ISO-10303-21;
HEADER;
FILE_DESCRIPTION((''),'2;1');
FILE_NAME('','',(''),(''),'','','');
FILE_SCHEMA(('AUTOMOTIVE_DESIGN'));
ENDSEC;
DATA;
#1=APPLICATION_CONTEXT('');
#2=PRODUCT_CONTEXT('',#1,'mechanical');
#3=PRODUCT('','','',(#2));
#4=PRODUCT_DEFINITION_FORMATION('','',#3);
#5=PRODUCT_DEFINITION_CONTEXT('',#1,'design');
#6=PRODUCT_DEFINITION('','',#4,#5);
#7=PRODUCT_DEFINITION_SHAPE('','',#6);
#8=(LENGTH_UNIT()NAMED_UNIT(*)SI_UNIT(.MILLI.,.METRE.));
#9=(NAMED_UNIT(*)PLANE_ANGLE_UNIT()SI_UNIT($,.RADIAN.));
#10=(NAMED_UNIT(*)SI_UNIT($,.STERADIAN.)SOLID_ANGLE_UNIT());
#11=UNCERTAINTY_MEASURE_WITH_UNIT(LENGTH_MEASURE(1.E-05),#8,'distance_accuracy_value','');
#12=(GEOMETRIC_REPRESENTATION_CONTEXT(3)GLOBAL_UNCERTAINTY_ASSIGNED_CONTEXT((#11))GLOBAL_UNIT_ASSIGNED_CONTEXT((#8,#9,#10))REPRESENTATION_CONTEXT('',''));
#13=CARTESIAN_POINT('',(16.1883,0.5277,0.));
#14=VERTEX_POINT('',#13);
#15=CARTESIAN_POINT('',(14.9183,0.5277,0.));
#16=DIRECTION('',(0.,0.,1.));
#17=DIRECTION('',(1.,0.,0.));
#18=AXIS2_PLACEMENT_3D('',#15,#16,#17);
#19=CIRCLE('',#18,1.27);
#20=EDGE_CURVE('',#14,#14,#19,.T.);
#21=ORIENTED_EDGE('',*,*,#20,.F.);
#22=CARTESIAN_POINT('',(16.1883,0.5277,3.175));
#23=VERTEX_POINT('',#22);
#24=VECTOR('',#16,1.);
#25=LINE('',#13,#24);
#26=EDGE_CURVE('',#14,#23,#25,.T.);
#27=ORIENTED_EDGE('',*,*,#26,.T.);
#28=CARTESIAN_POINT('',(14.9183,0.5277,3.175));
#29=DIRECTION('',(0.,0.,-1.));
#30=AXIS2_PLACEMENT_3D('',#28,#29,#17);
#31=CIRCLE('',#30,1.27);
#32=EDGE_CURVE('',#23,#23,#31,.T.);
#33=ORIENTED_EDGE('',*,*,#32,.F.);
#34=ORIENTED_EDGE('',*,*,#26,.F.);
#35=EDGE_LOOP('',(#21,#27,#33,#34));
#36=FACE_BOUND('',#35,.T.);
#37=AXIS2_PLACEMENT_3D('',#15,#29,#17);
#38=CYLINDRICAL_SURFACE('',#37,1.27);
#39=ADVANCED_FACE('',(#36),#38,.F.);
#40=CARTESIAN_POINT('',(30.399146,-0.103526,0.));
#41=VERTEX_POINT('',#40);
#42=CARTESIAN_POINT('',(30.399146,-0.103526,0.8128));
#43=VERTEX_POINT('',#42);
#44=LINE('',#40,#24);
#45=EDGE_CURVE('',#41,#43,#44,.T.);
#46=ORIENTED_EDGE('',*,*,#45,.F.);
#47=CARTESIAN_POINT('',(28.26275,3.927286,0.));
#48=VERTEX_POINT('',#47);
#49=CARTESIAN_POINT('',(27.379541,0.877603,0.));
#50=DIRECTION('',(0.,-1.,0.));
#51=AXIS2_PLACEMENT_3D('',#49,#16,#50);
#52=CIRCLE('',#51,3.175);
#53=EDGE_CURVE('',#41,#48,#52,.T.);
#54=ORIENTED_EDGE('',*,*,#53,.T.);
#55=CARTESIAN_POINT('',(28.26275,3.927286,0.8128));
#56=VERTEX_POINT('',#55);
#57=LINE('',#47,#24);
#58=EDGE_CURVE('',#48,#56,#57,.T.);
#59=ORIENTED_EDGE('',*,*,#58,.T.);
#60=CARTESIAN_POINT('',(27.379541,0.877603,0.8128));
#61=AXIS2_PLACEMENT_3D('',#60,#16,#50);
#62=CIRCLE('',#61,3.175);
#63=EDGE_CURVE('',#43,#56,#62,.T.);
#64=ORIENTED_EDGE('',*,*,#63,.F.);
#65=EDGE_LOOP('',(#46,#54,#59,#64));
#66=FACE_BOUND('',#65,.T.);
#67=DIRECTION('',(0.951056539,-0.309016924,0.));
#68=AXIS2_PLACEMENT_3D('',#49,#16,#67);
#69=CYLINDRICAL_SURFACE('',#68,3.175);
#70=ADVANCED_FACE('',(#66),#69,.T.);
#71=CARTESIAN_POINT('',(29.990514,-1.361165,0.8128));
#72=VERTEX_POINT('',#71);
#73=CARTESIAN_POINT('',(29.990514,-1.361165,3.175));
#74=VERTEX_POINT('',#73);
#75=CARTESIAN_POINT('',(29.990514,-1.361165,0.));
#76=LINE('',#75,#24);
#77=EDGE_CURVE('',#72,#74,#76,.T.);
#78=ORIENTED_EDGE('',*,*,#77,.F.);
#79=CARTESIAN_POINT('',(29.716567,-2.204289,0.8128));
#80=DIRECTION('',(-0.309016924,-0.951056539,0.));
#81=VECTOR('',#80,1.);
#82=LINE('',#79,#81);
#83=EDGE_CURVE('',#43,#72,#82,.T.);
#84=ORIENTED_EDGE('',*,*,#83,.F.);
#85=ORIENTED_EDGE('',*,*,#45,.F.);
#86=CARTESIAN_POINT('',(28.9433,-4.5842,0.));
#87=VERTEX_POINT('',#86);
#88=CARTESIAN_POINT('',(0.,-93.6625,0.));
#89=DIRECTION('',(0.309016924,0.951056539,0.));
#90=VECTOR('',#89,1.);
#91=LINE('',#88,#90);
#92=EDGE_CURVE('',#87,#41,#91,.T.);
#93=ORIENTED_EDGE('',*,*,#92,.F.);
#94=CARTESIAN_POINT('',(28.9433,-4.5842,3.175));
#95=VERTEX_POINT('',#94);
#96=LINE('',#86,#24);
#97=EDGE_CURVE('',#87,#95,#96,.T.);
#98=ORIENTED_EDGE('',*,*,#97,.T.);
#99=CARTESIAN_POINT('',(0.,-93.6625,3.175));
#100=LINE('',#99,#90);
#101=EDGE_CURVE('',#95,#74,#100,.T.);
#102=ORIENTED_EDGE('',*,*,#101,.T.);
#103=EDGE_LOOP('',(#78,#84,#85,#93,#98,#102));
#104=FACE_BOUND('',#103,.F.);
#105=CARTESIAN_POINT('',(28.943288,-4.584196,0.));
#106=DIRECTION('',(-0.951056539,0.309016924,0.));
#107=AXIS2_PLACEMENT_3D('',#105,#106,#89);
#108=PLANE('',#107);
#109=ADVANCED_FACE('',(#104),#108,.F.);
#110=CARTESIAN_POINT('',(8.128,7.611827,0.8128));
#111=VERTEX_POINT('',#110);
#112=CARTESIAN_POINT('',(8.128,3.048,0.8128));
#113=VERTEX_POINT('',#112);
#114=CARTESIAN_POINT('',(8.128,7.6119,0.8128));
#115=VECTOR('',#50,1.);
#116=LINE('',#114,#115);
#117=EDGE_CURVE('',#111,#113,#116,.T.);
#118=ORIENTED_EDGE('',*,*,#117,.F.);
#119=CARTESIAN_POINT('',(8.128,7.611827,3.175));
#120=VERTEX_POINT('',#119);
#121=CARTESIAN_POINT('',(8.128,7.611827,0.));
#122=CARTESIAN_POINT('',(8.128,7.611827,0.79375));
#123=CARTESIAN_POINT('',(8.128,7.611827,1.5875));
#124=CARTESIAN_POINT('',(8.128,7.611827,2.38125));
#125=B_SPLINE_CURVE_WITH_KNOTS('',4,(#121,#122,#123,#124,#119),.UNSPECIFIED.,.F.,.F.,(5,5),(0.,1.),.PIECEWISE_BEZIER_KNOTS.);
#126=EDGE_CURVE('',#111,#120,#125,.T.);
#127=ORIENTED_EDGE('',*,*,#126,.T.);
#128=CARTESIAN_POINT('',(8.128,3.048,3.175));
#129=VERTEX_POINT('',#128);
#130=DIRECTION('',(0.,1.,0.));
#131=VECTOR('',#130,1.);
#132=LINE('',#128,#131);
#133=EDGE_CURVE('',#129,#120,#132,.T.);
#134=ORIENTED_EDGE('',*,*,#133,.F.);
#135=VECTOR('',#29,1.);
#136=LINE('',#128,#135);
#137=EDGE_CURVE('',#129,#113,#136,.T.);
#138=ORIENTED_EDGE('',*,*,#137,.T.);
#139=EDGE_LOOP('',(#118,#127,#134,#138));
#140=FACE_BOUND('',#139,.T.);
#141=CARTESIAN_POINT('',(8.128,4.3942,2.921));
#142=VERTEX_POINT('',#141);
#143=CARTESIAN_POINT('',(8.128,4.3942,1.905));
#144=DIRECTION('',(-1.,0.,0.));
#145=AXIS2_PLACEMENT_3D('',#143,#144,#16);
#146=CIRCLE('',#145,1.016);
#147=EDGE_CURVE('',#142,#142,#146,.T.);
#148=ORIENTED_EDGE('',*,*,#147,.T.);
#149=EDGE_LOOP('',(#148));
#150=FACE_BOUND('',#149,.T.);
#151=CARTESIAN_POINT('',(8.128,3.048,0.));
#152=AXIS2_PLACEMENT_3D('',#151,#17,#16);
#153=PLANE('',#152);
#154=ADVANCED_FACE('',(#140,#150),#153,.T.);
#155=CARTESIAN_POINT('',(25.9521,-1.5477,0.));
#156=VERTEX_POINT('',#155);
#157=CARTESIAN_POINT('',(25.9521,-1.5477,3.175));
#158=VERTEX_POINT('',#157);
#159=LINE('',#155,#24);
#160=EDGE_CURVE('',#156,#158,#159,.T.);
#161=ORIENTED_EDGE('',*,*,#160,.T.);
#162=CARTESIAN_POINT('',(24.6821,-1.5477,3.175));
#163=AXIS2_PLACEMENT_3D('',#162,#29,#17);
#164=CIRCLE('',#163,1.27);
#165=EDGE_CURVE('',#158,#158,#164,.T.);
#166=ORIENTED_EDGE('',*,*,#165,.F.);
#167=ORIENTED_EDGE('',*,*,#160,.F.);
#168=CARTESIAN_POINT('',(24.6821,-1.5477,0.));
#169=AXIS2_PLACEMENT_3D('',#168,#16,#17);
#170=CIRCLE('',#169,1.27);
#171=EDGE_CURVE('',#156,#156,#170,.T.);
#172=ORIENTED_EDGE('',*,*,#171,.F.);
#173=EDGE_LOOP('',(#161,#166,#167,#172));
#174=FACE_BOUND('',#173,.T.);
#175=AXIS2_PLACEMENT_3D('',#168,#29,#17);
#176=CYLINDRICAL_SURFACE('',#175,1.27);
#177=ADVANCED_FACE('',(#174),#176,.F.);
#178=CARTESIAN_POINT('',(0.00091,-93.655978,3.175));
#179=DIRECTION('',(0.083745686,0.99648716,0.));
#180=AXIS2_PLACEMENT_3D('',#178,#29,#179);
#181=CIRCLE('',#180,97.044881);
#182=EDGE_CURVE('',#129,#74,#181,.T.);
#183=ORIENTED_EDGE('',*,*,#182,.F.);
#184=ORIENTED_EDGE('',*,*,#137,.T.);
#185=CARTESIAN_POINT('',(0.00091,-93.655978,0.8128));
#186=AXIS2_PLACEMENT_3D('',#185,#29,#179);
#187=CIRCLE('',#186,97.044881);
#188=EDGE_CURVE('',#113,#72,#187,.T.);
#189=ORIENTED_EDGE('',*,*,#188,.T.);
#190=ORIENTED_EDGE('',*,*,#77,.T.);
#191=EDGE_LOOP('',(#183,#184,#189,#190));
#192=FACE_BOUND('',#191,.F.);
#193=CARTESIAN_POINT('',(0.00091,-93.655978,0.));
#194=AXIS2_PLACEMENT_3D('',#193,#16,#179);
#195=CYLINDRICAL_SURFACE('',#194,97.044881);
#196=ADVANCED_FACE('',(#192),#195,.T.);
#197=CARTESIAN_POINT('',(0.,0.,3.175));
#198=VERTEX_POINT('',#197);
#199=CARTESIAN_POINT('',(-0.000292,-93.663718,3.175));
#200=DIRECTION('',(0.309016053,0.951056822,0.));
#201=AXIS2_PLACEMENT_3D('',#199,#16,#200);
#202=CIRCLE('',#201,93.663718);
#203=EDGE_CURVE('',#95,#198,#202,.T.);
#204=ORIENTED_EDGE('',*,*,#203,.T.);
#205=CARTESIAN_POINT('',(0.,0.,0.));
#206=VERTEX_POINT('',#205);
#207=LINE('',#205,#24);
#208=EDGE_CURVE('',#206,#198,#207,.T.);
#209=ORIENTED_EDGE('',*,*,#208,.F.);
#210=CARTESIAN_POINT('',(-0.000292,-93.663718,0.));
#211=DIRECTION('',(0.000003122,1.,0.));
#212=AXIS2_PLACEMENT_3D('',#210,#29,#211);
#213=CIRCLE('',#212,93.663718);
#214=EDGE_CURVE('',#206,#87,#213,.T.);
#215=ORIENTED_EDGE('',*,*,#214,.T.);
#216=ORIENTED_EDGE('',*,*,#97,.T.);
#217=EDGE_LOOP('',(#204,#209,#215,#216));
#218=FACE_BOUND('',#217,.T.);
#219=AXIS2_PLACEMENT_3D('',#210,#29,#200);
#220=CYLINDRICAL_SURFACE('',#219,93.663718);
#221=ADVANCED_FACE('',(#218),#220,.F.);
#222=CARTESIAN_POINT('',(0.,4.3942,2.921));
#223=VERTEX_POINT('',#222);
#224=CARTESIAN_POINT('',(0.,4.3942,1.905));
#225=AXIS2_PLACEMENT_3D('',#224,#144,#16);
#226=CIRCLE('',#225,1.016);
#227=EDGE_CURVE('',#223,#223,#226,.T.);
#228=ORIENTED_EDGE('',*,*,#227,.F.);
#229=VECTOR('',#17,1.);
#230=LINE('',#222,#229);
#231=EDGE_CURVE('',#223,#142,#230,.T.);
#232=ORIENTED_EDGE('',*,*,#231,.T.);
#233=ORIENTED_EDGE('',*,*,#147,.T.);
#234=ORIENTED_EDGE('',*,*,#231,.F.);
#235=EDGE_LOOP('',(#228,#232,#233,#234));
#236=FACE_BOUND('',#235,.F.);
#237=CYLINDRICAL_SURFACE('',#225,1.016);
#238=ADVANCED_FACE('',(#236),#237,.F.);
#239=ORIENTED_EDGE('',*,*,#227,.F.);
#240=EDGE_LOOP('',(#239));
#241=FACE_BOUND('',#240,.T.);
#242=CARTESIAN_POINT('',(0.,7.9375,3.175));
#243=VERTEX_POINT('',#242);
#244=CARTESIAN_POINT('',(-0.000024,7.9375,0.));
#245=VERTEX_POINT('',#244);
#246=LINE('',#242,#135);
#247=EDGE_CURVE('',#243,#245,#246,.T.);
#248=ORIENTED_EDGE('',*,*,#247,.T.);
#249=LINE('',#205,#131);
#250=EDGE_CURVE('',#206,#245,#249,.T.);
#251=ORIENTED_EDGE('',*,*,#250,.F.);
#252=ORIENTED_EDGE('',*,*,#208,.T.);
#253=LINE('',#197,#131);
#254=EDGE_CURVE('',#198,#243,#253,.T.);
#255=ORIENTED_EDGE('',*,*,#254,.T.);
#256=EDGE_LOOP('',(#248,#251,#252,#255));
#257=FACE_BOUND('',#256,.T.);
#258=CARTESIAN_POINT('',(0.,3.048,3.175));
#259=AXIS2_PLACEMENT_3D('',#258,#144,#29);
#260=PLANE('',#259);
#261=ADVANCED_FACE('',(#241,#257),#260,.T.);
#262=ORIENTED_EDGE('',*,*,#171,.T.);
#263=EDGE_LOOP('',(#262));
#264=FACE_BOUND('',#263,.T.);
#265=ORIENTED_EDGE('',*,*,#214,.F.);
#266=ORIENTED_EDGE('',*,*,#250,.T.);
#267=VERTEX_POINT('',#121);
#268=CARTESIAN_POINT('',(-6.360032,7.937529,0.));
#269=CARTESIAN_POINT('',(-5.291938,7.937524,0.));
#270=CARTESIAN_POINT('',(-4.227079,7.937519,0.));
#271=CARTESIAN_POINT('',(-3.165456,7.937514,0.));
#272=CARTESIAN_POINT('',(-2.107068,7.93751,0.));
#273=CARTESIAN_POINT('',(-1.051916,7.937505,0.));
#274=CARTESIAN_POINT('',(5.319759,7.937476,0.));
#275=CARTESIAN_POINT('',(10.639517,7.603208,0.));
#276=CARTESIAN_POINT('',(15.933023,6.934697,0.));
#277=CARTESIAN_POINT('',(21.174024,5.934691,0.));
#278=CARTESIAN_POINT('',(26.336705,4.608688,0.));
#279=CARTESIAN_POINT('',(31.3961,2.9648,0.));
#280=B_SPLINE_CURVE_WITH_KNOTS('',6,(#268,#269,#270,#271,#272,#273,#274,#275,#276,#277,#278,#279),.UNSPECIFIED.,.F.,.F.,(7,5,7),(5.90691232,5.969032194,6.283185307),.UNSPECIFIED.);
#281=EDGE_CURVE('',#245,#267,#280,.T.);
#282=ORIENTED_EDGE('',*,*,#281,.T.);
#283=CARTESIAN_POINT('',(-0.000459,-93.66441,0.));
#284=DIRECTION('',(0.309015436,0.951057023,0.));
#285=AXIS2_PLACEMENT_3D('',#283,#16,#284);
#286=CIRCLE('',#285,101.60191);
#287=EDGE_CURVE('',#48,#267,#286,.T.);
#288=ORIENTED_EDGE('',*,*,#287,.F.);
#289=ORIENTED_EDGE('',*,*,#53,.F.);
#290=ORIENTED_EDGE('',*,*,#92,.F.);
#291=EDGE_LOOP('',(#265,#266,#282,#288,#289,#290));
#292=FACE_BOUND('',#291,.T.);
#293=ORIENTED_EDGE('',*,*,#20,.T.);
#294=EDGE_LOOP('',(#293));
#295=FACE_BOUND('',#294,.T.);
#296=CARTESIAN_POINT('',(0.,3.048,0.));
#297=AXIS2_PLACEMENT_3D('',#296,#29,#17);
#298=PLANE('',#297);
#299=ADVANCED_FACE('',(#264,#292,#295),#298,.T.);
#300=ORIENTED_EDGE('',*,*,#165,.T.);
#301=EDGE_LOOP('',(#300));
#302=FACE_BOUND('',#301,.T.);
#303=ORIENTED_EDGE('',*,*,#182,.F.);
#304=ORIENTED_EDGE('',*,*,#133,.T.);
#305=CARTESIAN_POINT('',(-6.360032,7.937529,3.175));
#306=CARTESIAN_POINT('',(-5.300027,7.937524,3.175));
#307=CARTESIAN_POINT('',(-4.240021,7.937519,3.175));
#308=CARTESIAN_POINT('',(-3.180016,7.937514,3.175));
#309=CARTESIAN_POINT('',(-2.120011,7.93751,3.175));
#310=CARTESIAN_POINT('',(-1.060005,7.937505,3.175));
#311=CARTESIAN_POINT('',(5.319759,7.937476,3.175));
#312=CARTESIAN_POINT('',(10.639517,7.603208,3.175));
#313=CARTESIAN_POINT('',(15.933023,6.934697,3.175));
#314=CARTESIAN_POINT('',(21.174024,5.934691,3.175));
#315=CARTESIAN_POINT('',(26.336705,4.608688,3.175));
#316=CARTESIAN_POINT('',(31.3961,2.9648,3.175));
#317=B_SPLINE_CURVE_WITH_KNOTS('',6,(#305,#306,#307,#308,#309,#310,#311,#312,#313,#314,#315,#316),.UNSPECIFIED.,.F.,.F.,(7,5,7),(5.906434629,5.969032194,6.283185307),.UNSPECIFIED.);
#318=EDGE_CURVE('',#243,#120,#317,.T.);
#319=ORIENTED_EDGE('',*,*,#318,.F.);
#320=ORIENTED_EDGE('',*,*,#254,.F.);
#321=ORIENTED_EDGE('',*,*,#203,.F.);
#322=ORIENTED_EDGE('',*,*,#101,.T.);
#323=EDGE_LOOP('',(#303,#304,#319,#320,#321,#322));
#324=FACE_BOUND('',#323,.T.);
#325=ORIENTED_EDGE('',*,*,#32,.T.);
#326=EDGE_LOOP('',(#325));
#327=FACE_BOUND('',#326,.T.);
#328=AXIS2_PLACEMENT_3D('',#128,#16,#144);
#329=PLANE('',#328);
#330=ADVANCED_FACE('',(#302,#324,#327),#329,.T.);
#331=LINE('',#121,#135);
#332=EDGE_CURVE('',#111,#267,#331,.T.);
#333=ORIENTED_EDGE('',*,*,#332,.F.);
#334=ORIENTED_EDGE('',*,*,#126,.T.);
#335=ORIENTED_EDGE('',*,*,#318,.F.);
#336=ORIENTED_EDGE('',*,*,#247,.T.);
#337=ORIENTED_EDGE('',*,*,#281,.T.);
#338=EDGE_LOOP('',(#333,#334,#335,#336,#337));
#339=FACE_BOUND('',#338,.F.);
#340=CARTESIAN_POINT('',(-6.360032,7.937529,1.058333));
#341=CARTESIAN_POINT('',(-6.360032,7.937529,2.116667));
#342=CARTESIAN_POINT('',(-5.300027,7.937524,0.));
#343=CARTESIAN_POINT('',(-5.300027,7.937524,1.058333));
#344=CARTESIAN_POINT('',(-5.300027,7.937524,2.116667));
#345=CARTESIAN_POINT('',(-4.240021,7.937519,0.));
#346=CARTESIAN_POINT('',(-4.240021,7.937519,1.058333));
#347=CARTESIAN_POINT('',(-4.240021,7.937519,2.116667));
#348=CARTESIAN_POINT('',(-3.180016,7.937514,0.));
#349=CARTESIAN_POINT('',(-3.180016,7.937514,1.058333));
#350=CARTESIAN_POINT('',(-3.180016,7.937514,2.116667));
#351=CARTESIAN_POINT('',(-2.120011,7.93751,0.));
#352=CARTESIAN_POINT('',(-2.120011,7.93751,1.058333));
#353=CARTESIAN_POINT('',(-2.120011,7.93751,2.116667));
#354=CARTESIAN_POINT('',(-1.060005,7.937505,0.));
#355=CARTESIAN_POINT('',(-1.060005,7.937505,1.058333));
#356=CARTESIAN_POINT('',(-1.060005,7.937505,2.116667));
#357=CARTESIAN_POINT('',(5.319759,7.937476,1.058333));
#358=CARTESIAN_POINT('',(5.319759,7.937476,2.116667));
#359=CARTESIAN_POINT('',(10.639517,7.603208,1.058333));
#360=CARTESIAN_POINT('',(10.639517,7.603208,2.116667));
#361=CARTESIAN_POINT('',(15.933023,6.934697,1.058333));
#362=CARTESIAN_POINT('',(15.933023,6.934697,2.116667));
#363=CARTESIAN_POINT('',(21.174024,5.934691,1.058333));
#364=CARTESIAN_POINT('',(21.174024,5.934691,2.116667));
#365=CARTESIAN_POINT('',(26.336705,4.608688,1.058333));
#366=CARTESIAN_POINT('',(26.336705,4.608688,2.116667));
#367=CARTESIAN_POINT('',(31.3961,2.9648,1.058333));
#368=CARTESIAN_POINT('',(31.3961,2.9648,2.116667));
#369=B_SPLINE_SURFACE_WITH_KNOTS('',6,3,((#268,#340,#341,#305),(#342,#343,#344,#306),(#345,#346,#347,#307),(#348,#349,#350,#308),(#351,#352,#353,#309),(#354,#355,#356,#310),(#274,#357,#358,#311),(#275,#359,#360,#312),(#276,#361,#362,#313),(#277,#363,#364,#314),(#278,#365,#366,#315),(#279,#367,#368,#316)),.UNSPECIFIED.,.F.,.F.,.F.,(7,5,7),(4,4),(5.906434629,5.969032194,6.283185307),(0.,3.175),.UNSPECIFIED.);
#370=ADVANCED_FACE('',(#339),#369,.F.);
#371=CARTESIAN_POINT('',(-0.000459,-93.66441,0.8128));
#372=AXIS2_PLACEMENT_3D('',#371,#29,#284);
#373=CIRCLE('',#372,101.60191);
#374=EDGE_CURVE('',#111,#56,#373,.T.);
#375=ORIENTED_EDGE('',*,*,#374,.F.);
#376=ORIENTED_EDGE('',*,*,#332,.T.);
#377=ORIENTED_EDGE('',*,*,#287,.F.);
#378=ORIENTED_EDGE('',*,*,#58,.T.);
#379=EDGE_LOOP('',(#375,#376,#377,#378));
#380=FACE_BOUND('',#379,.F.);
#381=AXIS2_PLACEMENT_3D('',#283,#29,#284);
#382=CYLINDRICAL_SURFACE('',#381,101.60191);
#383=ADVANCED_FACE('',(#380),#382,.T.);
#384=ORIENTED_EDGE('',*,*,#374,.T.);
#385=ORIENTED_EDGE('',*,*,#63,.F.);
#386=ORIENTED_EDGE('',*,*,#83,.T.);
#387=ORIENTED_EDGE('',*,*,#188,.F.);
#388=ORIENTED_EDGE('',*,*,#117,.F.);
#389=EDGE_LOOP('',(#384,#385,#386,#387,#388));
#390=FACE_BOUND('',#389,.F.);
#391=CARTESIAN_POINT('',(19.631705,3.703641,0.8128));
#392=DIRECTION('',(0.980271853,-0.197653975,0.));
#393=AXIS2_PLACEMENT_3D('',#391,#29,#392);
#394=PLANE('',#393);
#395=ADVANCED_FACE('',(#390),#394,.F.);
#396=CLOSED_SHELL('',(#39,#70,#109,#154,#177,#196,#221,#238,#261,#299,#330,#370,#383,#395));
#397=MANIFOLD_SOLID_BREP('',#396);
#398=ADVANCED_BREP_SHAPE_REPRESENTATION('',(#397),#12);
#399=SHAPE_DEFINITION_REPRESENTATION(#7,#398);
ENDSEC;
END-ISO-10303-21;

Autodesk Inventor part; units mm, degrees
ref_plane "YZ Plane" through (0, 0, 0) normal (1, 0, 0) x (0, 1, 0)
ref_plane "XZ Plane" through (0, 0, 0) normal (0, 1, 0) x (-1, 0, 0)
ref_plane "XY Plane" through (0, 0, 0) normal (0, 0, 1) x (1, 0, 0)
sketch "Sketch1" plane through (0, 0, 0) normal (0, 0, 1) x (1, 0, 0)
  line L0 (0, 0) -> (0, -93.6625)
  line L1 (0, 0) -> (0, 7.9375)
  arc A0 (31.3961, 2.9648) -> (0, 7.9375) centre (0, -93.6625) ccw
  arc A1 (28.9433, -4.5842) -> (0, 0) centre (0, -93.6625) ccw
  line L2 (0, -93.6625) -> (35.0444, 14.1931)
  line L3 (14.9183, 0.5277) -> (0, -93.6625)
  line L4 (14.9183, 0.5277) -> (26.5201, -1.3098)
  circle A2 centre (14.9183, 0.5277) radius 1.27
  line L5 (0, -93.6625) -> (24.6821, -1.5477)
  line L6 (24.6821, -1.5477) -> (28.1101, -2.4662)
  circle A3 centre (24.6821, -1.5477) radius 1.27
  dimension "d0" = 93.6625
  dimension "d1" = 7.9375
  dimension "d2" = 18
  dimension "d5" = 9
  dimension "d28" = 95.3643
  dimension "d29" = 2.54
  dimension "d32" = 6
  dimension "d33" = 95.3643
  dimension "d34" = 2.54
extrude "Extrusion2" add sketch "Sketch1" along normal blind 3.175 contours L1 A0 L2 A1 L5 A3 L4 A2 L3 | L3 A2 L4 A3 L5 A1 | A2 L4 L3 | L3 L4 A2 | A3 L4 L6 L5 | L5 L6 A3 | A3 L4
sketch "Sketch3" plane through (0, 0, 0) normal (-1, 0, 0) x (0, 0, 1)
  line L0 (3.175, 0) -> (3.175, 7.9375) projected
  line L1 (0, 0) -> (3.175, 0) projected
  line L2 (0, 7.9375) -> (3.175, 7.9375)
  line L3 (3.175, 7.9375) -> (3.175, 3.048)
  line L4 (3.175, 3.048) -> (0, 3.048)
  line L5 (0, 3.048) -> (0, 7.9375)
  dimension "d13" = 3.048
extrude "Extrusion3" cut sketch "Sketch3" against normal blind 8.128
sketch "Sketch4" plane through (8.128, 0, 0) normal (-1, 0, 0) x (0, 0, 1)
  line L0 (0, 3.048) -> (0, 7.6119) projected
  line L1 (0, 3.048) -> (3.175, 3.048) projected
  line L2 (3.175, 7.6119) -> (3.175, 3.048) projected
  line L3 (3.175, 7.6119) -> (0.8128, 7.6119)
  line L4 (0.8128, 7.6119) -> (0.8128, 3.048)
  line L5 (0.8128, 3.048) -> (3.175, 3.048)
  line L6 (3.175, 3.048) -> (3.175, 7.6119)
  point P0 (0, 0)
  dimension "d16" = 0.8128
sketch3d "3D Sketch1"
  arc A0 (8.128, 7.6119, 0) -> (31.3961, 2.9648, 0) centre (0, -93.6625, 0) ccw
sweep "Sweep1" cut profiles "Sketch4" path "3D Sketch1"
sketch "Sketch5" plane through (0, 3.048, 3.175) normal (0, 1, 0) x (1, 0, 0)
  line L0 (0, 3.175) -> (8.128, 3.175)
  line L1 (8.128, 3.175) -> (8.128, 0)
  line L2 (8.128, 0) -> (0, 0)
  line L3 (0, 0) -> (0, 3.175)
extrude "Extrusion4" add sketch "Sketch5" along normal blind 4.8895
sketch "Sketch6" plane through (0, 0, 0) normal (-1, 0, 0) x (0, 0, 1)
  line L0 (0, 7.9375) -> (3.175, 7.9375)
  line L1 (3.175, 7.9375) -> (3.175, 8.7188)
  line L2 (3.175, 8.7188) -> (0, 8.7188)
  line L3 (0, 8.7188) -> (0, 7.9375)
sweep "Sweep2" cut profiles "Sketch6" path "Sketch1" path curves L1 A0
sketch "Sketch7" plane through (0, 0, 0) normal (-1, 0, 0) x (0, 0, 1)
  line L0 (0, 0) -> (3.175, 0) projected
  circle A0 centre (1.905, 4.3942) radius 1.016
  line L1 (3.175, 0) -> (3.175, 7.9375) projected
  dimension "d21" = 2.032
  dimension "d22" = 4.3942
  dimension "d25" = 1.27
extrude "Extrusion5" cut sketch "Sketch7" against normal blind 50.8
sketch "Sketch8" plane through (8.128, 3.048, 3.175) normal (1, 0, 0) x (0, 0, -1)
  circle A0 centre (1.27, 1.3462) radius 1.016 projected
  line L0 (2.3622, 4.5639) -> (0, 4.5639) projected
  line L1 (0, 0) -> (0, 4.5639) projected
  line L2 (2.3622, 0) -> (0, 0) projected
  line L3 (2.3622, 0) -> (2.3622, 4.5639) projected
  point P0 (3.175, -3.048)
  dimension "d26" = 1.3462
fillet "Fillet1" radius 3.175 1 edges at (31.3961, 2.9648, 0.4064)
extrude "Extrusion9" cut sketch "Sketch1" along normal blind 12.7 contours A2 L4 L3 | L3 L4 A2 | A3 L4 L6 L5 | L5 L6 A3 | A3 L4
sketch "Sketch10" plane through (0, 0, 3.175) normal (0, 0, 1) x (1, 0, 0)
  circle A0 centre (24.6821, -1.5477) radius 1.27 projected
  circle A1 centre (14.9183, 0.5277) radius 1.27 projected
  arc A2 (8.128, 7.6119) -> (0, 7.9375) centre (0, -93.6625) ccw projected
  line L0 (0, 0) -> (0, 7.9375) projected
  arc A3 (28.9433, -4.5842) -> (0, 0) centre (0, -93.6625) ccw projected
  line L1 (29.9905, -1.3611) -> (28.9433, -4.5842) projected
  arc A4 (29.9905, -1.3611) -> (8.128, 3.048) centre (0, -93.6625) ccw projected
  line L2 (8.128, 3.048) -> (8.128, 7.6119) projected
  dimension "d45" = 14.9183
  dimension "d46" = 24.6821
  dimension "d47" = 0.5277
  dimension "d48" = 1.5477
equation "\"d33\" = d28"
properties part number "FiberClamper_v2"
